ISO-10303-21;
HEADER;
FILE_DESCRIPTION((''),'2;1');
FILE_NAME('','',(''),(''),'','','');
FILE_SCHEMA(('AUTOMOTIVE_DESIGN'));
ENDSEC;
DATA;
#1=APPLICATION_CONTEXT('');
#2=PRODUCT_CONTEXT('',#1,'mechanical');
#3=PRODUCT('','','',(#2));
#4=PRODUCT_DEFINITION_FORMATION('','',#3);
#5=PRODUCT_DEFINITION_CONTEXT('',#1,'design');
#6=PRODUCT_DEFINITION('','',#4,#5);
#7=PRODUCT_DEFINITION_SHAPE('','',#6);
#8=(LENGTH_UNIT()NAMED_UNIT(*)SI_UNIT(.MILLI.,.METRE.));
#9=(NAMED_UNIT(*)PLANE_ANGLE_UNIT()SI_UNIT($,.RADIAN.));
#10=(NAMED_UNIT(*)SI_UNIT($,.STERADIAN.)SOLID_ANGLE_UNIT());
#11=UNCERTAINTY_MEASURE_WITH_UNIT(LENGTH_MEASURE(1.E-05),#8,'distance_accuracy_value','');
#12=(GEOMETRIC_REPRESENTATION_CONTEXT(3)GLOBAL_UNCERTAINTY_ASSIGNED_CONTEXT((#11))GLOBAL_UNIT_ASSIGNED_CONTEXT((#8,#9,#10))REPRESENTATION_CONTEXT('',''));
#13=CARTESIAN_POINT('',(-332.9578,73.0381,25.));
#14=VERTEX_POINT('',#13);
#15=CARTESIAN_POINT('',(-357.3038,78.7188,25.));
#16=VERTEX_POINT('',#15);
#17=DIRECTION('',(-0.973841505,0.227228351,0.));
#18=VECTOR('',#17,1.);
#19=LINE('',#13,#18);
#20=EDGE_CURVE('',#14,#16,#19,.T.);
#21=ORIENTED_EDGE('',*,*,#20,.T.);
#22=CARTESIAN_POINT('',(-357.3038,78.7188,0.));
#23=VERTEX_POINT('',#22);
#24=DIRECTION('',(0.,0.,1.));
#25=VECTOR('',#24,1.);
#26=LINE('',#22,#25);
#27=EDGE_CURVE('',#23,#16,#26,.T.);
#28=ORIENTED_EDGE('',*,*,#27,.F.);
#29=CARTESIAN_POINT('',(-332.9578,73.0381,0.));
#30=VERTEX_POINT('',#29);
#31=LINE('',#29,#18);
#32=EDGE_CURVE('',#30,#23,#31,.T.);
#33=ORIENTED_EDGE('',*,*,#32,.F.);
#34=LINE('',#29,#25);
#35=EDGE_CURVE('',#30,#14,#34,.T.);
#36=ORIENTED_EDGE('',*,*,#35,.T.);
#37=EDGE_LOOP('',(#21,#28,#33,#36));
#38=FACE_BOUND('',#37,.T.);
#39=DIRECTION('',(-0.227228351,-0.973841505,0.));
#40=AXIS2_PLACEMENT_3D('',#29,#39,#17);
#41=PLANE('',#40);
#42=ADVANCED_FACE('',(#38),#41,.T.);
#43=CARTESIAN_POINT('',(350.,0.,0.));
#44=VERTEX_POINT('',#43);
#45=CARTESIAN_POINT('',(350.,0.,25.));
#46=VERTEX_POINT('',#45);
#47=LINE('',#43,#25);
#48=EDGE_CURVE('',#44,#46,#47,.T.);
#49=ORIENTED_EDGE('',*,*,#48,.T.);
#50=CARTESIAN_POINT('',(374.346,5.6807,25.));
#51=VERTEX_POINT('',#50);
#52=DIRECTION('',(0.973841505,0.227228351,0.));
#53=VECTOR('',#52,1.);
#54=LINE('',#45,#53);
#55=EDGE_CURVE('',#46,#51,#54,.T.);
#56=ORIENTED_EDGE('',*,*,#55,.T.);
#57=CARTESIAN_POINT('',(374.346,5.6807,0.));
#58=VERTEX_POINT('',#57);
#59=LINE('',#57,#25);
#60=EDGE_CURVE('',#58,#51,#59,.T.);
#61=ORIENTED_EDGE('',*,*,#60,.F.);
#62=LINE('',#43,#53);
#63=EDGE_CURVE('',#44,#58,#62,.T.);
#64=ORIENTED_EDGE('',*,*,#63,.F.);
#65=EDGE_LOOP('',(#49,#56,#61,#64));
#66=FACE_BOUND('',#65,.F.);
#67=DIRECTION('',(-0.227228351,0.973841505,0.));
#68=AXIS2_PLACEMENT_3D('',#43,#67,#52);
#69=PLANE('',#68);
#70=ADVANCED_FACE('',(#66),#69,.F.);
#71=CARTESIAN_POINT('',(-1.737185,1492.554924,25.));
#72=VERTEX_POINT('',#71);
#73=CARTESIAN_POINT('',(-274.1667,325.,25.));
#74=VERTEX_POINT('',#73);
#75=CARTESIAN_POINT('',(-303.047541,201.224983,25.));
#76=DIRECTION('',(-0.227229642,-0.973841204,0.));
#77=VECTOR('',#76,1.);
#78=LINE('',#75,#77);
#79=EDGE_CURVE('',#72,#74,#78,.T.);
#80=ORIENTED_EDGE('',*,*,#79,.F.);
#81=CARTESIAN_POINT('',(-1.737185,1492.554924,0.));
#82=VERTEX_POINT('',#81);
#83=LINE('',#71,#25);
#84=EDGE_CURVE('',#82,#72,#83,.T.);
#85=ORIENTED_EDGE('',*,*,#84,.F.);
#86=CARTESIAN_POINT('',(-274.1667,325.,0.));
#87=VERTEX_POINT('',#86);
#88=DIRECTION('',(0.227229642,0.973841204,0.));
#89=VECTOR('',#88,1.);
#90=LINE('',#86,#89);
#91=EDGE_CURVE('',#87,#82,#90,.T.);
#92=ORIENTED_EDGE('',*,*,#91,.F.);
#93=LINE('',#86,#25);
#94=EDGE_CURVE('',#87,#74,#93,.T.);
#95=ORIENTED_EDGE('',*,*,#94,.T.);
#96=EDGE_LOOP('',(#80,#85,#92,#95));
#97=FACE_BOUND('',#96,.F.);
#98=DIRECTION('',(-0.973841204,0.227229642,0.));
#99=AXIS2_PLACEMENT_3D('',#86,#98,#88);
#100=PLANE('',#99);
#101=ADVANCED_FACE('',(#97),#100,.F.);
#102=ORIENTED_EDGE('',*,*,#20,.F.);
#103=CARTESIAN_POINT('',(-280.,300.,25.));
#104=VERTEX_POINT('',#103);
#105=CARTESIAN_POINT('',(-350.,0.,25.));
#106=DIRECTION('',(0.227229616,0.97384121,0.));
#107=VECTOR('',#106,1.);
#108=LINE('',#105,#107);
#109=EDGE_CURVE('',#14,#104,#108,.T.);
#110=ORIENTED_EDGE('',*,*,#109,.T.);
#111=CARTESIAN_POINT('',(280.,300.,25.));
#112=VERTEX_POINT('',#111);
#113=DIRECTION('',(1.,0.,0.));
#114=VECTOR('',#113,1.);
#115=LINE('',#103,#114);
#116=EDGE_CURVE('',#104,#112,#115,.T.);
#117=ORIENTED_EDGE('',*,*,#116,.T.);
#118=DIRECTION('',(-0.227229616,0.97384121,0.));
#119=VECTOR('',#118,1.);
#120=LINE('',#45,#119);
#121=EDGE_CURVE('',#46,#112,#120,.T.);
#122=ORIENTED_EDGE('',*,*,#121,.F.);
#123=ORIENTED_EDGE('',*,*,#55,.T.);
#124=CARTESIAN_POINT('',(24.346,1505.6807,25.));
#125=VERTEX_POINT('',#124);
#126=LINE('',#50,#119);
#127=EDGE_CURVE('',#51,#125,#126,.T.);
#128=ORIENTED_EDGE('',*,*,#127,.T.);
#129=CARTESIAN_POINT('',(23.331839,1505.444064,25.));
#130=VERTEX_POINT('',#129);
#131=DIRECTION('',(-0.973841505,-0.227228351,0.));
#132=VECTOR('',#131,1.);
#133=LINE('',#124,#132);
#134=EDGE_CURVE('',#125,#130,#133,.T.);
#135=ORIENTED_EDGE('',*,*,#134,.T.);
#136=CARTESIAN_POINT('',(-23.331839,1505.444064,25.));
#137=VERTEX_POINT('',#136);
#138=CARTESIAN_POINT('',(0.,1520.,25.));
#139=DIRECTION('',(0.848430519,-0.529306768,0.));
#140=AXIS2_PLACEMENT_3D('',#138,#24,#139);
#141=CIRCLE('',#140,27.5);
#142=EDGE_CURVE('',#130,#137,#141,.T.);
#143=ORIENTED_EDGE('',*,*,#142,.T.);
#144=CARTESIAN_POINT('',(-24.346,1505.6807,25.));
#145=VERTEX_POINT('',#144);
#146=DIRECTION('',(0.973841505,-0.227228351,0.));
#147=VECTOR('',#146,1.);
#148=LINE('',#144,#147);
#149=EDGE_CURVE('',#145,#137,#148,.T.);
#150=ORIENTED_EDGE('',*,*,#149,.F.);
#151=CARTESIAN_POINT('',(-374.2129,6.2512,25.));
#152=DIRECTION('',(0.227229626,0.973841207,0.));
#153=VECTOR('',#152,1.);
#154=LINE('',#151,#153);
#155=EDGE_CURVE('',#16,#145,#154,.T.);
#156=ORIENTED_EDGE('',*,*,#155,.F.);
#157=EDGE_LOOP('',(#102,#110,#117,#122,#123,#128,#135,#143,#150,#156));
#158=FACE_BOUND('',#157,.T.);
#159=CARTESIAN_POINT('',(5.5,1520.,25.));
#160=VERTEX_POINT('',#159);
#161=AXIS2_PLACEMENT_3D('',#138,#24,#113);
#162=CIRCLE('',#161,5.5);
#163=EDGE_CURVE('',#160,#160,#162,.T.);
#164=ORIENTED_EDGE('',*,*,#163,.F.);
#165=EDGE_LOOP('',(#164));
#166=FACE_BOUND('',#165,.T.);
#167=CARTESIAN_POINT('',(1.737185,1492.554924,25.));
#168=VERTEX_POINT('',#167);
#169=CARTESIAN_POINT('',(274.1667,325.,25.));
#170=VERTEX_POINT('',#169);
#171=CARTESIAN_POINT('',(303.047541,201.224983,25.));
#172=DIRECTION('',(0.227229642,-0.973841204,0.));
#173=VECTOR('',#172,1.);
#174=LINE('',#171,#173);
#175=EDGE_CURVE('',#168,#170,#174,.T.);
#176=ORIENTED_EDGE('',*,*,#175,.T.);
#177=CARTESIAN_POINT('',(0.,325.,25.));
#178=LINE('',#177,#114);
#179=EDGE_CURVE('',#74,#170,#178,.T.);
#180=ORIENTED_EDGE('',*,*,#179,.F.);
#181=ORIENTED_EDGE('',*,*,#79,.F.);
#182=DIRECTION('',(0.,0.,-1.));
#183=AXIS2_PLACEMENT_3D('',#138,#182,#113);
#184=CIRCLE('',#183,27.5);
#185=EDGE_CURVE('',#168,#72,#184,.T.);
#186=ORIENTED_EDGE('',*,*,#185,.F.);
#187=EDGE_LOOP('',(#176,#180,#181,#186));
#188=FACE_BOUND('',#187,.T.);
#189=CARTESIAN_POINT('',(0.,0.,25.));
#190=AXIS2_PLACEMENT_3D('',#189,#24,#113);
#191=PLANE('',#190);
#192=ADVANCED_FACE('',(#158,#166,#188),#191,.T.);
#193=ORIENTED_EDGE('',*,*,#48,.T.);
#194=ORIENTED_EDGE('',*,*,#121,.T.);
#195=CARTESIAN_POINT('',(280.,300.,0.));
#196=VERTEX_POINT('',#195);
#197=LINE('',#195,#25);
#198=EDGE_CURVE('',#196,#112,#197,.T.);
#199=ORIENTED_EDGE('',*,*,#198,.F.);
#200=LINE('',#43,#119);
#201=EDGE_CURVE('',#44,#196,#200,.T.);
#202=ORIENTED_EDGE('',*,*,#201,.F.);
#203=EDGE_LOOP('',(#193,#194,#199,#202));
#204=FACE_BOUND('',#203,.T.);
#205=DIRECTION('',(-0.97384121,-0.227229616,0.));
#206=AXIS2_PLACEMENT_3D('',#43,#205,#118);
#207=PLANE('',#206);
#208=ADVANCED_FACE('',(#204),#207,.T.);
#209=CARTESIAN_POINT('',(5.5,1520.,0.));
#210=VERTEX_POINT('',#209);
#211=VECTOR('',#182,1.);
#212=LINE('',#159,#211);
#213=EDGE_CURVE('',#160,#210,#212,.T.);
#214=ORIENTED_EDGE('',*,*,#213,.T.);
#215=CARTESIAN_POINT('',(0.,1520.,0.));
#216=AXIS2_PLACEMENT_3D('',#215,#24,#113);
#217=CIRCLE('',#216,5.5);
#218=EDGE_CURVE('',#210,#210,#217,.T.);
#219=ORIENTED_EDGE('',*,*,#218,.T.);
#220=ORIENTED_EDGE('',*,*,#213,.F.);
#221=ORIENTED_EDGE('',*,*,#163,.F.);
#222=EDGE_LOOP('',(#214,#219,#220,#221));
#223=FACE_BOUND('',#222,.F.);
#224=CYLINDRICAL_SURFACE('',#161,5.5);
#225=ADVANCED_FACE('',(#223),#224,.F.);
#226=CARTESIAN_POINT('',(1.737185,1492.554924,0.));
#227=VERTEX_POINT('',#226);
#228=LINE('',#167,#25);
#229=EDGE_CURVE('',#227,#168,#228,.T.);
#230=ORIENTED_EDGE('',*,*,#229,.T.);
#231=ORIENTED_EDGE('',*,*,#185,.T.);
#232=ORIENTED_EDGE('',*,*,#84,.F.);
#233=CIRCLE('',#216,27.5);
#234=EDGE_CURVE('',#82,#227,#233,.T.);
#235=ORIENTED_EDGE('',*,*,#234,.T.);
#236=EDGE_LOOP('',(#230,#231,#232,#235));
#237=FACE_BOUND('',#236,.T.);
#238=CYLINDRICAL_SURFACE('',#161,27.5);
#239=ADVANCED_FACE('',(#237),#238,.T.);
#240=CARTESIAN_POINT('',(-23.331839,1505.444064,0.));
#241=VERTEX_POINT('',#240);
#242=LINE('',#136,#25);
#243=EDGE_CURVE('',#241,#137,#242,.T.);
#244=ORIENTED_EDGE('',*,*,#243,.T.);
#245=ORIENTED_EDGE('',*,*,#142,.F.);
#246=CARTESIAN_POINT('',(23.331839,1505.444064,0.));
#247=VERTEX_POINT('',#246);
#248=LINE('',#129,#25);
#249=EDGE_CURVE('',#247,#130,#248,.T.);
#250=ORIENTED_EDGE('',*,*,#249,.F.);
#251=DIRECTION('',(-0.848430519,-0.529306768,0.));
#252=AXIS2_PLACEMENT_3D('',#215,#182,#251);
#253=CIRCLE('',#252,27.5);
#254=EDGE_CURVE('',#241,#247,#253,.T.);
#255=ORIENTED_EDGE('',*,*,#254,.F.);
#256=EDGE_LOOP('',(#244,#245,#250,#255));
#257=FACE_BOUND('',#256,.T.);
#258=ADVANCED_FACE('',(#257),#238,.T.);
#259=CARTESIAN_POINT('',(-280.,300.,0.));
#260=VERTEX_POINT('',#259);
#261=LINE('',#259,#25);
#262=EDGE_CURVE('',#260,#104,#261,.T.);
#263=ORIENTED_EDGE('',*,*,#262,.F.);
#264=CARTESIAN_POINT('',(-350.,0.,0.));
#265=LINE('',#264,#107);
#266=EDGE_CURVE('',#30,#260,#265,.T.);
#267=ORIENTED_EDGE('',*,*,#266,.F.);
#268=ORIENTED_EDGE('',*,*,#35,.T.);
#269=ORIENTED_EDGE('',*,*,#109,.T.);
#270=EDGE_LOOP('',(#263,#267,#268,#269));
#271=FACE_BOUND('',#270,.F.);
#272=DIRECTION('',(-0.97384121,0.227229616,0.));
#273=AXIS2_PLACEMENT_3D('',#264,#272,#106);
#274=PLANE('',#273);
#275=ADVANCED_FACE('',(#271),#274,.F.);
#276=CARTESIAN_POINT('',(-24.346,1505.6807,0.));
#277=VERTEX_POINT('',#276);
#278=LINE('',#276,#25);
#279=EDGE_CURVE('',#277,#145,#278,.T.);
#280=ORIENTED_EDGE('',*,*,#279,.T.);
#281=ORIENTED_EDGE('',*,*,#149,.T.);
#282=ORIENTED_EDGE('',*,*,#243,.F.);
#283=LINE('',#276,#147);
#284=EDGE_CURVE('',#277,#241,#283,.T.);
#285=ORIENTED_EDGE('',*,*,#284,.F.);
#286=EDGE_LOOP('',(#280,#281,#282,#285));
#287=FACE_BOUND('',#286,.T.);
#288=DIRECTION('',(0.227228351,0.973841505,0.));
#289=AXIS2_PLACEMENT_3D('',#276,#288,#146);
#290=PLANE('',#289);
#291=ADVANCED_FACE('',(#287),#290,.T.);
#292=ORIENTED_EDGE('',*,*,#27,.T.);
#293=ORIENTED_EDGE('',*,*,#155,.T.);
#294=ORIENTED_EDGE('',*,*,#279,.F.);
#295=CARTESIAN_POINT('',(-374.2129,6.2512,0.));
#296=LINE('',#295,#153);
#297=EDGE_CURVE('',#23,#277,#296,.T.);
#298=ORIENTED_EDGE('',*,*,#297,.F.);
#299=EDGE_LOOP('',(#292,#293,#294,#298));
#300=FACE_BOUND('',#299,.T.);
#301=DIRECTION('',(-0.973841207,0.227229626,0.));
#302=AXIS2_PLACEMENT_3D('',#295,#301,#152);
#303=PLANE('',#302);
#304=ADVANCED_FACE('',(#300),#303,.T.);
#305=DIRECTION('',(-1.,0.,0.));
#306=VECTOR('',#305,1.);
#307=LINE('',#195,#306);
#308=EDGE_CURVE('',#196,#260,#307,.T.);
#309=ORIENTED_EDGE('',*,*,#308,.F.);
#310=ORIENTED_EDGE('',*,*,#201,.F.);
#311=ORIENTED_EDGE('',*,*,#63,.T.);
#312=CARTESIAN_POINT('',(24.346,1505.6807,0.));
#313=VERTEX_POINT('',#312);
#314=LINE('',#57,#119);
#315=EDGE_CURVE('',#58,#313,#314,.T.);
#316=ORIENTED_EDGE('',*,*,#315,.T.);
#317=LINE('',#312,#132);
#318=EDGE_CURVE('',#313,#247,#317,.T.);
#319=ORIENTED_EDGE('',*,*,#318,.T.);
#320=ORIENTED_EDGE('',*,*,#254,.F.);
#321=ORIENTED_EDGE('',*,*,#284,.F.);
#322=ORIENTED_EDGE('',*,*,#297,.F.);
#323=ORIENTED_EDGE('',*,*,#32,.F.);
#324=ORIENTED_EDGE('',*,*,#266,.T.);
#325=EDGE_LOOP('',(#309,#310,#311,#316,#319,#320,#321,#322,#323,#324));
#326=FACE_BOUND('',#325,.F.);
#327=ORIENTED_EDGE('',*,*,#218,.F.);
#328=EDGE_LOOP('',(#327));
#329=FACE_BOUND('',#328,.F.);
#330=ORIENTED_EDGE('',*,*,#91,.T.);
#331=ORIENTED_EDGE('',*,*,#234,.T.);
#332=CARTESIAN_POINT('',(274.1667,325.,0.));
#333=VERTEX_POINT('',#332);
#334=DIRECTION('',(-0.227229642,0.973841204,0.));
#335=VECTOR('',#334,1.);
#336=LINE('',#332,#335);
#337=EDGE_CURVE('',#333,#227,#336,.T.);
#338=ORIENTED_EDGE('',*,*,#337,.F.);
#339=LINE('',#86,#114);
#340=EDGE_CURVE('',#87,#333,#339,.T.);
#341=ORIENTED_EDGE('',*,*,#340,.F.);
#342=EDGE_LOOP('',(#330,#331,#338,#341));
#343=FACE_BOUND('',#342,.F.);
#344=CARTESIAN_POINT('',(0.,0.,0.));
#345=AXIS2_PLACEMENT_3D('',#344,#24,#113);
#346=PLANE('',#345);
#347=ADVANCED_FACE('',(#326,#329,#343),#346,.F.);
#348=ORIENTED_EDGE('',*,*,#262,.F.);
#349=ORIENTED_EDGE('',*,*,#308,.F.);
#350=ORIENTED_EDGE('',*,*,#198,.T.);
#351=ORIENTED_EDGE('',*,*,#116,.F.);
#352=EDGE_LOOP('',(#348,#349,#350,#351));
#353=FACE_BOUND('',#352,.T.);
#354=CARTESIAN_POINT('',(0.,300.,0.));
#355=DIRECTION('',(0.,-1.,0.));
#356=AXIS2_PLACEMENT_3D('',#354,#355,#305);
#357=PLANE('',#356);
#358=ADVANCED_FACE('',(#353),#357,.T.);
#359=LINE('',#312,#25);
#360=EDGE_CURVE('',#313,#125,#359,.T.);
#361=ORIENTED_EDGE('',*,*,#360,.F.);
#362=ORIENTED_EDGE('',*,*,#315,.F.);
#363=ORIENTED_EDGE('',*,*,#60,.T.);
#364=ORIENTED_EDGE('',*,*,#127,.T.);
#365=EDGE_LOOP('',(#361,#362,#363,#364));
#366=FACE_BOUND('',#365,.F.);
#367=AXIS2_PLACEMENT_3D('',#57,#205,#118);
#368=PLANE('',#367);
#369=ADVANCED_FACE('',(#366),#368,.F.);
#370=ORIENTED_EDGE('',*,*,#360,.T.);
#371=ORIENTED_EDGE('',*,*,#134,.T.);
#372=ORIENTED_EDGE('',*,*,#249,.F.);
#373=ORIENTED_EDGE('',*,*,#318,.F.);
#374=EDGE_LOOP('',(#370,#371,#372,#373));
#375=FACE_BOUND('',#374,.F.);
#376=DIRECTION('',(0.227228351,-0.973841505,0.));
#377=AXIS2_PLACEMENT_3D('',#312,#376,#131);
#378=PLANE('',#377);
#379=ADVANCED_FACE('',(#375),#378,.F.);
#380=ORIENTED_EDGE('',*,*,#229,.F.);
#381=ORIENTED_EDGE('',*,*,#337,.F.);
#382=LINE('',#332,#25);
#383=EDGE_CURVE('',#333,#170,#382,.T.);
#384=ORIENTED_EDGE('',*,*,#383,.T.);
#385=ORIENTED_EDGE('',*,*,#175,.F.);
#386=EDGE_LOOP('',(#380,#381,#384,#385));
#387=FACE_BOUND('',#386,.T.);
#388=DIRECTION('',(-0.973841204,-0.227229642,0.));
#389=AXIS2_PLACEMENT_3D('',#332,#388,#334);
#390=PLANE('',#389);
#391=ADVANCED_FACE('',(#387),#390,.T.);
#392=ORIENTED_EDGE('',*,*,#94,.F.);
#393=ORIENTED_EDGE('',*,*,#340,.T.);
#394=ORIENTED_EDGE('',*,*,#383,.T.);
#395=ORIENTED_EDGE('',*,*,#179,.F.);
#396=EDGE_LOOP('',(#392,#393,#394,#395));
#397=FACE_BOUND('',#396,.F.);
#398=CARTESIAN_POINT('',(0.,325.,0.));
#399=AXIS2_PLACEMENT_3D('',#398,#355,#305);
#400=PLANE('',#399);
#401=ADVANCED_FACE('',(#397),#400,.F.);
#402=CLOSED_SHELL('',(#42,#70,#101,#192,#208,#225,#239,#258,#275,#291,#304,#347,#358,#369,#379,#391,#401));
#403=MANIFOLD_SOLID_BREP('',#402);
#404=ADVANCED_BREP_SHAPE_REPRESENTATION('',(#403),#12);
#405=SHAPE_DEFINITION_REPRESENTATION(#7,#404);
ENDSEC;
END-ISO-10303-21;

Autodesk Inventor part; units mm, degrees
ref_plane "YZ Plane" through (0, 0, 0) normal (1, 0, 0) x (0, 1, 0)
ref_plane "XZ Plane" through (0, 0, 0) normal (0, 1, 0) x (-1, 0, 0)
ref_plane "XY Plane" through (0, 0, 0) normal (0, 0, 1) x (1, 0, 0)
sketch "Skizze1" plane through (0, 0, 0) normal (0, 0, 1) x (1, 0, 0)
  line L0 (-523.9247, 0) -> (524.0578, 0) projected
  line L1 (0, -301.1361) -> (0, 1806.8169) projected
  line L2 (350, 0) -> (-350, 0) construction
  line L3 (-350, 0) -> (-374.2129, 6.2512)
  line L4 (-374.2129, 6.2512) -> (-24.346, 1505.6807)
  line L5 (-24.346, 1505.6807) -> (0, 1500)
  line L6 (350, 0) -> (374.346, 5.6807)
  line L7 (374.346, 5.6807) -> (24.346, 1505.6807)
  line L8 (24.346, 1505.6807) -> (0, 1500)
  line L9 (280, 300) -> (-280, 300)
  line L10 (274.1667, 325) -> (-274.1667, 325)
  line L11 (350, 0) -> (280, 300)
  line L12 (274.1667, 325) -> (0, 1500)
  line L13 (-350, 0) -> (-280, 300)
  line L14 (-274.1667, 325) -> (0, 1500)
  point P0 (0, 0)
  point P1 (0, 300)
  dimension "d9" = 700
  dimension "d11" = 300
  dimension "d18" = 1500
  dimension "d19" = 25
extrude "Extrusion2" add sketch "Skizze1" along normal blind 25 contours L3 L4 L5 L14 L10 L1 L9 L13 | L11 L9 L1 L10 L12 L8 L7 L6 | L10 L14 L1 | L1 L12 L10
extrude "Extrusion3" cut sketch "Skizze1" along normal through all contours L10 L14 L1 | L1 L12 L10
sketch "Skizze2" plane through (0, 0, 25) normal (0, 0, 1) x (1, 0, 0)
  circle A0 centre (0, 1520) radius 27.5
  circle A1 centre (0, 1520) radius 5.5
  line L0 (-274.1667, 325) -> (0, 1500) projected
  line L1 (0, 1500) -> (274.1667, 325) projected
  point P0 (0, 0)
  dimension "d38" = 55
  dimension "d39" = 1520
  dimension "d40" = 11
extrude "Extrusion4" add sketch "Skizze2" against normal blind 25
sketch "Skizze3" plane through (0, 0, 0) normal (0, 0, -1) x (-1, 0, 0)
  line L0 (24.346, 1505.6807) -> (374.2129, 6.2512) projected
  line L1 (350, 0) -> (280, 300) projected
  line L2 (374.2129, 6.2512) -> (350, 0) projected
  line L3 (332.9578, 73.0381) -> (357.3038, 78.7188)
  point P0 (0, 0)
  dimension "d44" = 75
extrude "Extrusion5" cut sketch "Skizze3" against normal blind 25
properties part number "Steher"
